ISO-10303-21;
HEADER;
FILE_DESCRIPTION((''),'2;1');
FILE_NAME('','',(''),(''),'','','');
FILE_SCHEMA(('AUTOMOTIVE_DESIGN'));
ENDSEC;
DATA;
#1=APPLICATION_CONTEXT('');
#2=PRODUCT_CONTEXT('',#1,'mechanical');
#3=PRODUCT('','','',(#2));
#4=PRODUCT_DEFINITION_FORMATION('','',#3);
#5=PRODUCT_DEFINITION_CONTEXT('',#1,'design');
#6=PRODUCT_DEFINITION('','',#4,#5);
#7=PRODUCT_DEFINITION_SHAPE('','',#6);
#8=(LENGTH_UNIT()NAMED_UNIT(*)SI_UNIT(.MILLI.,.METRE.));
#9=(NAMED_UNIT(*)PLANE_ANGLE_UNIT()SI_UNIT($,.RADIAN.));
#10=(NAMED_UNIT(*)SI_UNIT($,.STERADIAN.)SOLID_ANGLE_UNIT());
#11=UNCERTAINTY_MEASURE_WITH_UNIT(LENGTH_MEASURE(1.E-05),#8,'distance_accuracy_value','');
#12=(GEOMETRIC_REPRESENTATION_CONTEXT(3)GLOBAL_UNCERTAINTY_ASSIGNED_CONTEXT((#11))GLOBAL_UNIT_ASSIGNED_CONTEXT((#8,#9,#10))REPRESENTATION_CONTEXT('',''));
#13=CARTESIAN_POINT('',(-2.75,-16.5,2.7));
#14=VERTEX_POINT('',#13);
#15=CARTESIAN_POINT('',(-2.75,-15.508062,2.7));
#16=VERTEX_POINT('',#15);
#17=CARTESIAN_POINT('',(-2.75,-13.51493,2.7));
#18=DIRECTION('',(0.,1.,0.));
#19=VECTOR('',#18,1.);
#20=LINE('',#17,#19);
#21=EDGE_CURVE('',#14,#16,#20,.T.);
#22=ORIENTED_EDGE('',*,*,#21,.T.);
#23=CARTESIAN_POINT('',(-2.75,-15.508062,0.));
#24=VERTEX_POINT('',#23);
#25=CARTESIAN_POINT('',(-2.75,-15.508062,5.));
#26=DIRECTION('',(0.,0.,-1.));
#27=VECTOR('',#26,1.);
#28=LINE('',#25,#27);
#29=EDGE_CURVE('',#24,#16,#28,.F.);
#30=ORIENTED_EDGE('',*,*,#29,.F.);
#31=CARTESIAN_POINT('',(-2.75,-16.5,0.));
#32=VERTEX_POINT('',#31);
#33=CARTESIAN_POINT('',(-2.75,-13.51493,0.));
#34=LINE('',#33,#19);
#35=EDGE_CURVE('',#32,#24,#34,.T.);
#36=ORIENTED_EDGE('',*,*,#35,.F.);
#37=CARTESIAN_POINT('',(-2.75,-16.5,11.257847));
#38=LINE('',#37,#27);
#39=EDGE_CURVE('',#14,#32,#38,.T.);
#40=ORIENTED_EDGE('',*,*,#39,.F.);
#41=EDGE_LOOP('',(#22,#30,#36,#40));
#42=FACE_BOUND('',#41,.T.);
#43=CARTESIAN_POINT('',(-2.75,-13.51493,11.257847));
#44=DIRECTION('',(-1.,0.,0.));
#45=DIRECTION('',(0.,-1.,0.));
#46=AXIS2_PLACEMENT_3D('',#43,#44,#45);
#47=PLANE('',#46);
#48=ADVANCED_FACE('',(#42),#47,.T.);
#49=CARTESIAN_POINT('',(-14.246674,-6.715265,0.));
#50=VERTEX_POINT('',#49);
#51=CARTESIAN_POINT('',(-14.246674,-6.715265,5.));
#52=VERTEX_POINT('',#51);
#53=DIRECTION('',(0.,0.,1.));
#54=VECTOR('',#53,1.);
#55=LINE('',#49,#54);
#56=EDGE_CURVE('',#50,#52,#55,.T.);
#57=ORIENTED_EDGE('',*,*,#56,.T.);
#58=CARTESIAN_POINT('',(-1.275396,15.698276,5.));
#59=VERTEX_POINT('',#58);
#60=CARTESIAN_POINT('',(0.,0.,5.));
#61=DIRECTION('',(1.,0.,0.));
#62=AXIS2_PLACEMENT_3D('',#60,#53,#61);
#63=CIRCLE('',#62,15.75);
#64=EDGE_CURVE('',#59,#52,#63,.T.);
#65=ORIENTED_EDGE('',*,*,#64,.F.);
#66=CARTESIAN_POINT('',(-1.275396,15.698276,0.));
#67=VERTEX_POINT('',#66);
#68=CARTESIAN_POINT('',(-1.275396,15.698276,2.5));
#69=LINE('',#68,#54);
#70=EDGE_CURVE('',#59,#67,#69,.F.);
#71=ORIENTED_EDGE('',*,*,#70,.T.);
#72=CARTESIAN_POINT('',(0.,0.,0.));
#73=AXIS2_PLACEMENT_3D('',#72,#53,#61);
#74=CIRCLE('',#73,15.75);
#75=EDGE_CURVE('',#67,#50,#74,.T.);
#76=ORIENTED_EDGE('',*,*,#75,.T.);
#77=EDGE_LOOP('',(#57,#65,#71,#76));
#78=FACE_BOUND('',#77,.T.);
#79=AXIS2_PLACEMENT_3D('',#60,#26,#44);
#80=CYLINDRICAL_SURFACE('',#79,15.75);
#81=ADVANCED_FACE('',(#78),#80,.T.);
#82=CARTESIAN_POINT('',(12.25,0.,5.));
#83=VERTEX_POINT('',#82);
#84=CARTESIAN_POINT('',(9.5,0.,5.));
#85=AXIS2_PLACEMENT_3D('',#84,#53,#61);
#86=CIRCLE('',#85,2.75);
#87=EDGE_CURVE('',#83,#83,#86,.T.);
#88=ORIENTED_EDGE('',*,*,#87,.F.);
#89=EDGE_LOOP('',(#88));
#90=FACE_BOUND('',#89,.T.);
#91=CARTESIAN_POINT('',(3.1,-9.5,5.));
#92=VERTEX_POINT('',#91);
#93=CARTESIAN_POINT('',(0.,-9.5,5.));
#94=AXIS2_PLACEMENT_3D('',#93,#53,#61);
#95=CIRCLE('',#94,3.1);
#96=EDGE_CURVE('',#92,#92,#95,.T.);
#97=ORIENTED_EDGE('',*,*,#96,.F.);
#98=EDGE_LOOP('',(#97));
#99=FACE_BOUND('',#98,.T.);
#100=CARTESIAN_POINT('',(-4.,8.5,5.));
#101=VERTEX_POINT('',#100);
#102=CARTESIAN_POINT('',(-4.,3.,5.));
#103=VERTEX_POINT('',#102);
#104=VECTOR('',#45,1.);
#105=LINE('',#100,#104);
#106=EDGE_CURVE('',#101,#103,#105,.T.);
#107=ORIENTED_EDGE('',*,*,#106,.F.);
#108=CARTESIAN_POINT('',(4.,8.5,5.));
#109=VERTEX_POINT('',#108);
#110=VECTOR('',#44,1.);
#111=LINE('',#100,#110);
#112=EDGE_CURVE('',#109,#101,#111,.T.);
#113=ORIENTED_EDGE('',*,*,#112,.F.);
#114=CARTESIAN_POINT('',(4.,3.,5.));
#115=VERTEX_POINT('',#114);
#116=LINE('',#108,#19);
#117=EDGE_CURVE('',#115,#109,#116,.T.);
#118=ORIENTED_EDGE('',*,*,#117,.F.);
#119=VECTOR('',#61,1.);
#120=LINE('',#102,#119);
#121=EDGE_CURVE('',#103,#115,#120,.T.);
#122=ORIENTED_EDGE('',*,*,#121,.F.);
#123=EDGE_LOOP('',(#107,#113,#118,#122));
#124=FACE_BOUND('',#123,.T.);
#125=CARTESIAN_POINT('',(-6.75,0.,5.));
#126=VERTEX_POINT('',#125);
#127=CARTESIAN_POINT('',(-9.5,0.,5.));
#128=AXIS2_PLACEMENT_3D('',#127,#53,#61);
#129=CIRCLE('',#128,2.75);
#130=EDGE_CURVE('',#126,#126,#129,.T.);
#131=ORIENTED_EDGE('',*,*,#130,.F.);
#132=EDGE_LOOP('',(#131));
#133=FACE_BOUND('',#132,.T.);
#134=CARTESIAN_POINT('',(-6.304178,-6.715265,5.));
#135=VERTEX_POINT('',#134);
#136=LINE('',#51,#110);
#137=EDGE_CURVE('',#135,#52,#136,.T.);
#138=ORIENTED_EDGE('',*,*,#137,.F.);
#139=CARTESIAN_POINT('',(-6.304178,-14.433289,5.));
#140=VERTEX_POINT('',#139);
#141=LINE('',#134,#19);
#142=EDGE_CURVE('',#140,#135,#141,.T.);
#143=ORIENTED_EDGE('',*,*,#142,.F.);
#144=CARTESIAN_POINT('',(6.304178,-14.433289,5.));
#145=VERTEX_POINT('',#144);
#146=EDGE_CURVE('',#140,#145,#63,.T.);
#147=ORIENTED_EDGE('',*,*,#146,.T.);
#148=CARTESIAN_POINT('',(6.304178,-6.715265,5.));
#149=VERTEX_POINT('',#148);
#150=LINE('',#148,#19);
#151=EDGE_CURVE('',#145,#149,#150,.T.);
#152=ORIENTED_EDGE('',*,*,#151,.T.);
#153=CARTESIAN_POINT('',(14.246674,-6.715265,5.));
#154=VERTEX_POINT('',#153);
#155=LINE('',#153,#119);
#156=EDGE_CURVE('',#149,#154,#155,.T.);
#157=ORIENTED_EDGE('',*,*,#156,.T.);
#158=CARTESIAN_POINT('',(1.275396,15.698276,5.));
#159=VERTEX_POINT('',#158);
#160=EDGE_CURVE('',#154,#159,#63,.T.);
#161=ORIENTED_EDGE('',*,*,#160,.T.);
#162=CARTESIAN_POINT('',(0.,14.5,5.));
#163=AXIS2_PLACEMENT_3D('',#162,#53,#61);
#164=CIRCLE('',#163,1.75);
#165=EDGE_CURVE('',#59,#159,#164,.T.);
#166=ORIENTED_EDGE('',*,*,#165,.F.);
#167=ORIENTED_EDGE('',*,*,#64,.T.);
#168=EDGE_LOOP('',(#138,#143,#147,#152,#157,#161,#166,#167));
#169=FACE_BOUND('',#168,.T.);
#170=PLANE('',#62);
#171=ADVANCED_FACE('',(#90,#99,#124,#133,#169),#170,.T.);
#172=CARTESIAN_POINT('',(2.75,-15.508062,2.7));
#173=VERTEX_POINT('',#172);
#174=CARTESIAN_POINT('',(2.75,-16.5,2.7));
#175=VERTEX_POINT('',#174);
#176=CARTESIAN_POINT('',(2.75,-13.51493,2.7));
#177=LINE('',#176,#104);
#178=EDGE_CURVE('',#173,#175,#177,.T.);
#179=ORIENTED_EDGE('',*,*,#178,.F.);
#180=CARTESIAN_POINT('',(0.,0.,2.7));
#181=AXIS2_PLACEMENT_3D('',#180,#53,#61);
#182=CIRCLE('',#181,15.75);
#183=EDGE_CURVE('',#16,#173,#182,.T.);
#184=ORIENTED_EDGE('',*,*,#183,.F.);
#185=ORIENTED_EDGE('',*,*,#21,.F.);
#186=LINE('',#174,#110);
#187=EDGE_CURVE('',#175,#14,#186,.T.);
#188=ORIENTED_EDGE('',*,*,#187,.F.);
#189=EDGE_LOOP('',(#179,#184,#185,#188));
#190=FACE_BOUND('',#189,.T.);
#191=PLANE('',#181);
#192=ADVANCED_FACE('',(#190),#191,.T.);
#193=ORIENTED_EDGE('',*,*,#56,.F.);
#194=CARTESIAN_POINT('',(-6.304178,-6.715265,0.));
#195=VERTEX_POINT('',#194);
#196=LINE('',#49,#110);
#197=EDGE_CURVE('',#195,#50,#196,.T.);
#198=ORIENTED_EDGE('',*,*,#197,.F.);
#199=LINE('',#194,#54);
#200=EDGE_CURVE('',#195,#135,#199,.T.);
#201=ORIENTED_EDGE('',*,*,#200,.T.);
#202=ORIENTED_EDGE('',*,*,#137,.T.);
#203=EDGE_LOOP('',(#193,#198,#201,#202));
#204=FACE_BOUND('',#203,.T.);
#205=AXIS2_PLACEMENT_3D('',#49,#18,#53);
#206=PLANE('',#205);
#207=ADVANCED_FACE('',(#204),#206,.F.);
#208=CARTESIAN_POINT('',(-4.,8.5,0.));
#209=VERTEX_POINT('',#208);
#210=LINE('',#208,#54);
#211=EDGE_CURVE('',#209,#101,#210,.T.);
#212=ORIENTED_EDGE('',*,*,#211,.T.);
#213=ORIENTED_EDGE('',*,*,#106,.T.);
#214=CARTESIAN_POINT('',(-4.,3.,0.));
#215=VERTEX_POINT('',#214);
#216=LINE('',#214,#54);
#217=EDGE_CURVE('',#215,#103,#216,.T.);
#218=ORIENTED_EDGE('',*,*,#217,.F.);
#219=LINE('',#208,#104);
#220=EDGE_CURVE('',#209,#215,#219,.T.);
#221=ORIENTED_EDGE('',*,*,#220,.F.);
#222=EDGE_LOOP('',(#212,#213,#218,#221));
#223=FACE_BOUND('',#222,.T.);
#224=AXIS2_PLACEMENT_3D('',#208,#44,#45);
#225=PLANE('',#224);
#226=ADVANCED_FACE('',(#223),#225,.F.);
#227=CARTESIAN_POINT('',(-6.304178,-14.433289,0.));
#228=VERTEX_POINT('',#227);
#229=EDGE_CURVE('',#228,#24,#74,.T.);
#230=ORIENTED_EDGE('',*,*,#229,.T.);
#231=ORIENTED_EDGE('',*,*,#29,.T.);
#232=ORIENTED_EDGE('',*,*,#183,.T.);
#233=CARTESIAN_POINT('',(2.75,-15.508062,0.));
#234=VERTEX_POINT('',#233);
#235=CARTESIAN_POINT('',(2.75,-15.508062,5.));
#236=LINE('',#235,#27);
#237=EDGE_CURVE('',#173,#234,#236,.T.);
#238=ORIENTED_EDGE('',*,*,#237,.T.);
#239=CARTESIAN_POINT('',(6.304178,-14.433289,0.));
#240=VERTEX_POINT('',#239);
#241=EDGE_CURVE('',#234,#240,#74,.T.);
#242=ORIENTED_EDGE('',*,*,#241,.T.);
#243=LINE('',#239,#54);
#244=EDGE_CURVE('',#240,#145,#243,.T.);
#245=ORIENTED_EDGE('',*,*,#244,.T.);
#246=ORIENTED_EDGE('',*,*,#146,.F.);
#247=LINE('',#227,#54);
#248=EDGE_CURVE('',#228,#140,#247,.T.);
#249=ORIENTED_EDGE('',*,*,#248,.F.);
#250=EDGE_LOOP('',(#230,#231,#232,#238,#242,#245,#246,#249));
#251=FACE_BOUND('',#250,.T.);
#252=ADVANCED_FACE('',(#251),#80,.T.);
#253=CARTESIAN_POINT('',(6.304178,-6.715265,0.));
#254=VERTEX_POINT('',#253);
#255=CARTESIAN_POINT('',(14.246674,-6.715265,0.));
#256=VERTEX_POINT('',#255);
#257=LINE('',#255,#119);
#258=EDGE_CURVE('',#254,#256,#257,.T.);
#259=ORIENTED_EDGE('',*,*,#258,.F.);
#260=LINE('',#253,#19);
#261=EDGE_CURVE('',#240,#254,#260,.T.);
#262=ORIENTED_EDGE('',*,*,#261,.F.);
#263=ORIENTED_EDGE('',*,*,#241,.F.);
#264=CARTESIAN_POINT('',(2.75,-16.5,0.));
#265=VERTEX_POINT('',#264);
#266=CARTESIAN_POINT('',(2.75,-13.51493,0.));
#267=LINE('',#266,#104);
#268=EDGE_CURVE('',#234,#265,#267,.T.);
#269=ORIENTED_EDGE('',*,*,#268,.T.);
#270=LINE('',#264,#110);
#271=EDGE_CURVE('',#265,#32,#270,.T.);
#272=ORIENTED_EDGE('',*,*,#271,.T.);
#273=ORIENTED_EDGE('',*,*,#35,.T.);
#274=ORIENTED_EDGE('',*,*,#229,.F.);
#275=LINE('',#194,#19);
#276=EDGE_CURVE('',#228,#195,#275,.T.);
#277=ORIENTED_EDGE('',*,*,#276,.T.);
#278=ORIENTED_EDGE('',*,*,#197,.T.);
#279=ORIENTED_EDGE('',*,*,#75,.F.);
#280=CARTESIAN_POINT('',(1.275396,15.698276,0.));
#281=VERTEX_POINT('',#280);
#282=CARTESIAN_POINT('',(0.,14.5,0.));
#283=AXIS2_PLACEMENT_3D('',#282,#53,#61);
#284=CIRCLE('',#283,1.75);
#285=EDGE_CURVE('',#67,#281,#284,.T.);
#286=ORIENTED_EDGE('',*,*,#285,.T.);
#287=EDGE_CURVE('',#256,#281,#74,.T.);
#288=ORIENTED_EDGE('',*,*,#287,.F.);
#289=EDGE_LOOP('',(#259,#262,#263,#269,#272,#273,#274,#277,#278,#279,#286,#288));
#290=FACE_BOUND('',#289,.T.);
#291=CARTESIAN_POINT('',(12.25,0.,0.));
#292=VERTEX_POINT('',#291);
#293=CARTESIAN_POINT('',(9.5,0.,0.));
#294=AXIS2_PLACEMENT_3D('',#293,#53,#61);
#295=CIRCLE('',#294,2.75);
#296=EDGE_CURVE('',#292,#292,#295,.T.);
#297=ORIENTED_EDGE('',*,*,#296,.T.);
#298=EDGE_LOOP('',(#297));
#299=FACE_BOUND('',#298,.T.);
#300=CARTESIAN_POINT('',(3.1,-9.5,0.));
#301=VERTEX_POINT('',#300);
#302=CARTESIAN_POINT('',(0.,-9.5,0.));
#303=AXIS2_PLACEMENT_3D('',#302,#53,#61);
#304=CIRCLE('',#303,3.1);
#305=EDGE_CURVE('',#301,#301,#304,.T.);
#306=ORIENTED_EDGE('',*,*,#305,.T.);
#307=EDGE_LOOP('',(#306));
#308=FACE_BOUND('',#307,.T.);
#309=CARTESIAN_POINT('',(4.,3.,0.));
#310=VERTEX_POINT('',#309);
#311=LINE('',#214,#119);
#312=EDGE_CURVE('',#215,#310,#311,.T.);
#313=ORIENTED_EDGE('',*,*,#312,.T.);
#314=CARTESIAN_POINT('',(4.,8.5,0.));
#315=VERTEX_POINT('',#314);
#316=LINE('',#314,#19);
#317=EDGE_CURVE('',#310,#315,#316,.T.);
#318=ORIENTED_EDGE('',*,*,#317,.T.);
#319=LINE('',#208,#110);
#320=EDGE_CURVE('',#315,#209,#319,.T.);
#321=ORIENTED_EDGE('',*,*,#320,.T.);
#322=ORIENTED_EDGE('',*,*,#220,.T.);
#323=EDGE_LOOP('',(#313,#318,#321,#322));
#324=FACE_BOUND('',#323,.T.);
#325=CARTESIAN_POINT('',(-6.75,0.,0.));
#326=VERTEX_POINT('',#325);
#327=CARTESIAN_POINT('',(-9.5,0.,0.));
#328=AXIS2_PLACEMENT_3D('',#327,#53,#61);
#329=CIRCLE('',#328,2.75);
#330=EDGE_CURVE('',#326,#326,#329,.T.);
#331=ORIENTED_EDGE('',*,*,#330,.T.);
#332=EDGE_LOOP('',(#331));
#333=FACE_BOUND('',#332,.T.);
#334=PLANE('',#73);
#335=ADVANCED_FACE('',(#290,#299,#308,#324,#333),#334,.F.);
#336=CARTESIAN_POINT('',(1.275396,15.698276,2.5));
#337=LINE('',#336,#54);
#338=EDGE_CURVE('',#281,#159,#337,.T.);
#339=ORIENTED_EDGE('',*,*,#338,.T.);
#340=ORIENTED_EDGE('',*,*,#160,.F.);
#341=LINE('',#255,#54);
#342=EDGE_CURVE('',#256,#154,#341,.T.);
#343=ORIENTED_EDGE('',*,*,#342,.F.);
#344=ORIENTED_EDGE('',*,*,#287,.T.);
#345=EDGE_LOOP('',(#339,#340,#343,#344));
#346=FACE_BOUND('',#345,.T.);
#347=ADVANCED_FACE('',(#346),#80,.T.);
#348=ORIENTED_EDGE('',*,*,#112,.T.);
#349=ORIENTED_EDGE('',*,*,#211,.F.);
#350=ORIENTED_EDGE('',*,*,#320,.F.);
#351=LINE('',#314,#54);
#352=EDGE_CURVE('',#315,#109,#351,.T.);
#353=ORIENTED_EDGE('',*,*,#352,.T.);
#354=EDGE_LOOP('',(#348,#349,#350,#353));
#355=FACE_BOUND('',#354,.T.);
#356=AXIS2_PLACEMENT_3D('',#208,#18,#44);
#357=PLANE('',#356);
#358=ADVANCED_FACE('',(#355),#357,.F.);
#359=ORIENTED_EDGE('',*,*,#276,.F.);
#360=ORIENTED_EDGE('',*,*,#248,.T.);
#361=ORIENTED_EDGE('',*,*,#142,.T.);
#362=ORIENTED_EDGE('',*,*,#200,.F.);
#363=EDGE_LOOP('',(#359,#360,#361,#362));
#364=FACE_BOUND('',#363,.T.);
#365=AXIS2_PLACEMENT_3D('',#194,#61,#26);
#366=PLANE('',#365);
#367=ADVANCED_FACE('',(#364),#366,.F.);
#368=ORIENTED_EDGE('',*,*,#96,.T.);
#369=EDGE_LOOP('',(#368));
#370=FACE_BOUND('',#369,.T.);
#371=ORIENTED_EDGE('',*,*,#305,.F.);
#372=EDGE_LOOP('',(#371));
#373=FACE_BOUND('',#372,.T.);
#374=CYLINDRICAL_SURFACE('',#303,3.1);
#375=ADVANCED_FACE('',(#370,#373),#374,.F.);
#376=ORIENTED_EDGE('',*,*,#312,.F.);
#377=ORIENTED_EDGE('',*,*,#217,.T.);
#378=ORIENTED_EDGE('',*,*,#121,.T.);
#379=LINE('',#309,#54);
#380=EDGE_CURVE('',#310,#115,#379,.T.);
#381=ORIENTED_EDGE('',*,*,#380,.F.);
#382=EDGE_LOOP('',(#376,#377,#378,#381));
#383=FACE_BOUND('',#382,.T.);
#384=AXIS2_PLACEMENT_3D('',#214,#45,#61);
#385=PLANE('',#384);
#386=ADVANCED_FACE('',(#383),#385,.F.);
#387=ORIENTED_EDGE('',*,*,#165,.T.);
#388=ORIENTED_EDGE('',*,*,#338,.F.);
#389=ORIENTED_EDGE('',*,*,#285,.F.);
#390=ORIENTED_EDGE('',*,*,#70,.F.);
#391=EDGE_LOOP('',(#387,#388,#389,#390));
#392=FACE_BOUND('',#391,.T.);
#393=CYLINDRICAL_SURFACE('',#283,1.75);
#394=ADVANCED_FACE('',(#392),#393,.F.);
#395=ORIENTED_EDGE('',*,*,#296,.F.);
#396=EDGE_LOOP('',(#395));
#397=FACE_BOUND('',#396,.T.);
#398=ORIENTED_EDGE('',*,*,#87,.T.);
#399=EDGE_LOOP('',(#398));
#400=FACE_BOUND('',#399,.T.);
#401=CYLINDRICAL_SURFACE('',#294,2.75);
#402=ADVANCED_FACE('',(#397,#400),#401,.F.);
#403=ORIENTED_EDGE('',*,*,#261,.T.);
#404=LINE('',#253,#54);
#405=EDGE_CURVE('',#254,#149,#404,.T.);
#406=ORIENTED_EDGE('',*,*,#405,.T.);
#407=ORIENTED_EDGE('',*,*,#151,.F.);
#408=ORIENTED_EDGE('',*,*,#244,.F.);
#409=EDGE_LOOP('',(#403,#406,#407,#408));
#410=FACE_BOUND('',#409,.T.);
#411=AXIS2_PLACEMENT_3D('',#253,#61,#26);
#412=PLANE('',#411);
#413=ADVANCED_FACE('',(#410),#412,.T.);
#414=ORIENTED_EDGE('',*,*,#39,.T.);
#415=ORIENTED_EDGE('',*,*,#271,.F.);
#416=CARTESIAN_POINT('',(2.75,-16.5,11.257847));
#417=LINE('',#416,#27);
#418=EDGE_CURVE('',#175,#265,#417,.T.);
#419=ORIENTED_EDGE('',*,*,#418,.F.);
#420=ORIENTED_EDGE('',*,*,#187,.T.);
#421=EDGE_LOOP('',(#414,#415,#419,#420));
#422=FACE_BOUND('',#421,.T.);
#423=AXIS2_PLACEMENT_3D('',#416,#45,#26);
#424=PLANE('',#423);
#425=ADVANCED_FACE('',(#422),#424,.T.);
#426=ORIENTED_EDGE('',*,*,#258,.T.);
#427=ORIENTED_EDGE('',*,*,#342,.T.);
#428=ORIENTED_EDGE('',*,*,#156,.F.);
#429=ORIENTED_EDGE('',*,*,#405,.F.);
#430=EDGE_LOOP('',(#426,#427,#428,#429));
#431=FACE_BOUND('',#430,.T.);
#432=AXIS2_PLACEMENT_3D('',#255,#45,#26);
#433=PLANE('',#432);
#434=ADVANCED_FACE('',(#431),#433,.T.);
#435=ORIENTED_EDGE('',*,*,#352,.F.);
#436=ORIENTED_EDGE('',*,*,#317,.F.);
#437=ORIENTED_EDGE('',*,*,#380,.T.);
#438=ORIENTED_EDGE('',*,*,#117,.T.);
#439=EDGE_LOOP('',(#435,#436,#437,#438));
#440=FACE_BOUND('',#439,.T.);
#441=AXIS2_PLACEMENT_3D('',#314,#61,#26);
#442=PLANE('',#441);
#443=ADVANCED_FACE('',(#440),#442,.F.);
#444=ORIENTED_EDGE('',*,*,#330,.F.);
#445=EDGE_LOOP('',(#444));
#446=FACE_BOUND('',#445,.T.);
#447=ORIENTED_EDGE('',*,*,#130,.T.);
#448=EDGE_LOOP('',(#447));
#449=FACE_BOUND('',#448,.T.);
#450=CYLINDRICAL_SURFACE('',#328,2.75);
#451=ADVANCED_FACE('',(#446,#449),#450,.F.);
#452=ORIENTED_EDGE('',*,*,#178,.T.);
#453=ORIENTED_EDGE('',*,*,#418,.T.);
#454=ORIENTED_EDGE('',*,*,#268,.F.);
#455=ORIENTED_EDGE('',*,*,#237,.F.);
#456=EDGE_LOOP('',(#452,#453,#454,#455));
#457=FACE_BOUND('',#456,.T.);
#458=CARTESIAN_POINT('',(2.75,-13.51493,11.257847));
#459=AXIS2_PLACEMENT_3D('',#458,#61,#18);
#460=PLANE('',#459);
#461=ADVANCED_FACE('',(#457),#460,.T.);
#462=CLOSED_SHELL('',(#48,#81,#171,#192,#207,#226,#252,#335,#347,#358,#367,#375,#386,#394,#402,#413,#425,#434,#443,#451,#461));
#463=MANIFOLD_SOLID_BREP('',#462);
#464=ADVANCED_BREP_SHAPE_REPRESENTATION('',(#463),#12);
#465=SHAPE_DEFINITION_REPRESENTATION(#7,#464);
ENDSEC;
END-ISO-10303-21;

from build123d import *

# Parameters (mm, degrees)
ESQUISSE1_R             = 15.75
BOSS_EXTRU_1_DEPTH      = 5
ESQUISSE2_W             = 5.5
ESQUISSE2_H             = 2.985070052
BOSS_EXTRU_2_DEPTH      = 2.7
ESQUISSE3_R             = 1.75
ESQUISSE3_R_2           = 2.75
ESQUISSE3_R_3           = 3.1
ENL_V_MAT_EXTRU_1_DEPTH = 6
ESQUISSE4_W             = 7.942495838
ESQUISSE4_H             = 7.71802451
ENL_V_MAT_EXTRU_2_DEPTH = 6
ESQUISSE5_W             = 8
ESQUISSE5_H             = 5.5
ENL_V_MAT_EXTRU_3_DEPTH = 6


with BuildPart() as part:
    # Esquisse1 → Boss.-Extru.1 (new body)
    with BuildSketch(Plane.XY):
        Circle(ESQUISSE1_R)
    extrude(amount=BOSS_EXTRU_1_DEPTH)

    # Esquisse2 → Boss.-Extru.2 (add)
    with BuildSketch(Plane(origin=(0, 0, 0), x_dir=(-1, 0, 0), z_dir=(0, 0, -1))):
        with Locations((0, -15.007464974)):
            Rectangle(ESQUISSE2_W, ESQUISSE2_H)
    extrude(amount=-BOSS_EXTRU_2_DEPTH)

    # Esquisse3 → Enlèv. mat.-Extru.1 (cut, through all)
    with BuildSketch(Plane.XY.offset(5)):
        with Locations((0, 14.5)):
            Circle(ESQUISSE3_R)
        with Locations((9.5, 0)):
            Circle(ESQUISSE3_R_2)
        with Locations((-9.5, 0)):
            Circle(ESQUISSE3_R_2)
        with Locations((0, -9.5)):
            Circle(ESQUISSE3_R_3)
    extrude(amount=-ENL_V_MAT_EXTRU_1_DEPTH, mode=Mode.SUBTRACT)

    # Esquisse4 → Enlèv. mat.-Extru.2 (cut, through all)
    with BuildSketch(Plane.XY.offset(5)):
        with Locations((-10.275426072, -10.574276969)):
            Rectangle(ESQUISSE4_W, ESQUISSE4_H)
    enl_v_mat_extru_2 = extrude(amount=-ENL_V_MAT_EXTRU_2_DEPTH, mode=Mode.SUBTRACT)

    # Symétrie1: Enlèv. mat.-Extru.2 across plane
    add(enl_v_mat_extru_2.mirror(Plane(origin=(0, 0, 0), x_dir=(0, 0, 1), z_dir=(1, 0, 0))), mode=Mode.SUBTRACT)

    # Esquisse5 → Enlèv. mat.-Extru.3 (cut, through all)
    with BuildSketch(Plane.XY.offset(5)):
        with Locations((0, 5.75)):
            Rectangle(ESQUISSE5_W, ESQUISSE5_H)
    extrude(amount=-ENL_V_MAT_EXTRU_3_DEPTH, mode=Mode.SUBTRACT)


solid = part.part
